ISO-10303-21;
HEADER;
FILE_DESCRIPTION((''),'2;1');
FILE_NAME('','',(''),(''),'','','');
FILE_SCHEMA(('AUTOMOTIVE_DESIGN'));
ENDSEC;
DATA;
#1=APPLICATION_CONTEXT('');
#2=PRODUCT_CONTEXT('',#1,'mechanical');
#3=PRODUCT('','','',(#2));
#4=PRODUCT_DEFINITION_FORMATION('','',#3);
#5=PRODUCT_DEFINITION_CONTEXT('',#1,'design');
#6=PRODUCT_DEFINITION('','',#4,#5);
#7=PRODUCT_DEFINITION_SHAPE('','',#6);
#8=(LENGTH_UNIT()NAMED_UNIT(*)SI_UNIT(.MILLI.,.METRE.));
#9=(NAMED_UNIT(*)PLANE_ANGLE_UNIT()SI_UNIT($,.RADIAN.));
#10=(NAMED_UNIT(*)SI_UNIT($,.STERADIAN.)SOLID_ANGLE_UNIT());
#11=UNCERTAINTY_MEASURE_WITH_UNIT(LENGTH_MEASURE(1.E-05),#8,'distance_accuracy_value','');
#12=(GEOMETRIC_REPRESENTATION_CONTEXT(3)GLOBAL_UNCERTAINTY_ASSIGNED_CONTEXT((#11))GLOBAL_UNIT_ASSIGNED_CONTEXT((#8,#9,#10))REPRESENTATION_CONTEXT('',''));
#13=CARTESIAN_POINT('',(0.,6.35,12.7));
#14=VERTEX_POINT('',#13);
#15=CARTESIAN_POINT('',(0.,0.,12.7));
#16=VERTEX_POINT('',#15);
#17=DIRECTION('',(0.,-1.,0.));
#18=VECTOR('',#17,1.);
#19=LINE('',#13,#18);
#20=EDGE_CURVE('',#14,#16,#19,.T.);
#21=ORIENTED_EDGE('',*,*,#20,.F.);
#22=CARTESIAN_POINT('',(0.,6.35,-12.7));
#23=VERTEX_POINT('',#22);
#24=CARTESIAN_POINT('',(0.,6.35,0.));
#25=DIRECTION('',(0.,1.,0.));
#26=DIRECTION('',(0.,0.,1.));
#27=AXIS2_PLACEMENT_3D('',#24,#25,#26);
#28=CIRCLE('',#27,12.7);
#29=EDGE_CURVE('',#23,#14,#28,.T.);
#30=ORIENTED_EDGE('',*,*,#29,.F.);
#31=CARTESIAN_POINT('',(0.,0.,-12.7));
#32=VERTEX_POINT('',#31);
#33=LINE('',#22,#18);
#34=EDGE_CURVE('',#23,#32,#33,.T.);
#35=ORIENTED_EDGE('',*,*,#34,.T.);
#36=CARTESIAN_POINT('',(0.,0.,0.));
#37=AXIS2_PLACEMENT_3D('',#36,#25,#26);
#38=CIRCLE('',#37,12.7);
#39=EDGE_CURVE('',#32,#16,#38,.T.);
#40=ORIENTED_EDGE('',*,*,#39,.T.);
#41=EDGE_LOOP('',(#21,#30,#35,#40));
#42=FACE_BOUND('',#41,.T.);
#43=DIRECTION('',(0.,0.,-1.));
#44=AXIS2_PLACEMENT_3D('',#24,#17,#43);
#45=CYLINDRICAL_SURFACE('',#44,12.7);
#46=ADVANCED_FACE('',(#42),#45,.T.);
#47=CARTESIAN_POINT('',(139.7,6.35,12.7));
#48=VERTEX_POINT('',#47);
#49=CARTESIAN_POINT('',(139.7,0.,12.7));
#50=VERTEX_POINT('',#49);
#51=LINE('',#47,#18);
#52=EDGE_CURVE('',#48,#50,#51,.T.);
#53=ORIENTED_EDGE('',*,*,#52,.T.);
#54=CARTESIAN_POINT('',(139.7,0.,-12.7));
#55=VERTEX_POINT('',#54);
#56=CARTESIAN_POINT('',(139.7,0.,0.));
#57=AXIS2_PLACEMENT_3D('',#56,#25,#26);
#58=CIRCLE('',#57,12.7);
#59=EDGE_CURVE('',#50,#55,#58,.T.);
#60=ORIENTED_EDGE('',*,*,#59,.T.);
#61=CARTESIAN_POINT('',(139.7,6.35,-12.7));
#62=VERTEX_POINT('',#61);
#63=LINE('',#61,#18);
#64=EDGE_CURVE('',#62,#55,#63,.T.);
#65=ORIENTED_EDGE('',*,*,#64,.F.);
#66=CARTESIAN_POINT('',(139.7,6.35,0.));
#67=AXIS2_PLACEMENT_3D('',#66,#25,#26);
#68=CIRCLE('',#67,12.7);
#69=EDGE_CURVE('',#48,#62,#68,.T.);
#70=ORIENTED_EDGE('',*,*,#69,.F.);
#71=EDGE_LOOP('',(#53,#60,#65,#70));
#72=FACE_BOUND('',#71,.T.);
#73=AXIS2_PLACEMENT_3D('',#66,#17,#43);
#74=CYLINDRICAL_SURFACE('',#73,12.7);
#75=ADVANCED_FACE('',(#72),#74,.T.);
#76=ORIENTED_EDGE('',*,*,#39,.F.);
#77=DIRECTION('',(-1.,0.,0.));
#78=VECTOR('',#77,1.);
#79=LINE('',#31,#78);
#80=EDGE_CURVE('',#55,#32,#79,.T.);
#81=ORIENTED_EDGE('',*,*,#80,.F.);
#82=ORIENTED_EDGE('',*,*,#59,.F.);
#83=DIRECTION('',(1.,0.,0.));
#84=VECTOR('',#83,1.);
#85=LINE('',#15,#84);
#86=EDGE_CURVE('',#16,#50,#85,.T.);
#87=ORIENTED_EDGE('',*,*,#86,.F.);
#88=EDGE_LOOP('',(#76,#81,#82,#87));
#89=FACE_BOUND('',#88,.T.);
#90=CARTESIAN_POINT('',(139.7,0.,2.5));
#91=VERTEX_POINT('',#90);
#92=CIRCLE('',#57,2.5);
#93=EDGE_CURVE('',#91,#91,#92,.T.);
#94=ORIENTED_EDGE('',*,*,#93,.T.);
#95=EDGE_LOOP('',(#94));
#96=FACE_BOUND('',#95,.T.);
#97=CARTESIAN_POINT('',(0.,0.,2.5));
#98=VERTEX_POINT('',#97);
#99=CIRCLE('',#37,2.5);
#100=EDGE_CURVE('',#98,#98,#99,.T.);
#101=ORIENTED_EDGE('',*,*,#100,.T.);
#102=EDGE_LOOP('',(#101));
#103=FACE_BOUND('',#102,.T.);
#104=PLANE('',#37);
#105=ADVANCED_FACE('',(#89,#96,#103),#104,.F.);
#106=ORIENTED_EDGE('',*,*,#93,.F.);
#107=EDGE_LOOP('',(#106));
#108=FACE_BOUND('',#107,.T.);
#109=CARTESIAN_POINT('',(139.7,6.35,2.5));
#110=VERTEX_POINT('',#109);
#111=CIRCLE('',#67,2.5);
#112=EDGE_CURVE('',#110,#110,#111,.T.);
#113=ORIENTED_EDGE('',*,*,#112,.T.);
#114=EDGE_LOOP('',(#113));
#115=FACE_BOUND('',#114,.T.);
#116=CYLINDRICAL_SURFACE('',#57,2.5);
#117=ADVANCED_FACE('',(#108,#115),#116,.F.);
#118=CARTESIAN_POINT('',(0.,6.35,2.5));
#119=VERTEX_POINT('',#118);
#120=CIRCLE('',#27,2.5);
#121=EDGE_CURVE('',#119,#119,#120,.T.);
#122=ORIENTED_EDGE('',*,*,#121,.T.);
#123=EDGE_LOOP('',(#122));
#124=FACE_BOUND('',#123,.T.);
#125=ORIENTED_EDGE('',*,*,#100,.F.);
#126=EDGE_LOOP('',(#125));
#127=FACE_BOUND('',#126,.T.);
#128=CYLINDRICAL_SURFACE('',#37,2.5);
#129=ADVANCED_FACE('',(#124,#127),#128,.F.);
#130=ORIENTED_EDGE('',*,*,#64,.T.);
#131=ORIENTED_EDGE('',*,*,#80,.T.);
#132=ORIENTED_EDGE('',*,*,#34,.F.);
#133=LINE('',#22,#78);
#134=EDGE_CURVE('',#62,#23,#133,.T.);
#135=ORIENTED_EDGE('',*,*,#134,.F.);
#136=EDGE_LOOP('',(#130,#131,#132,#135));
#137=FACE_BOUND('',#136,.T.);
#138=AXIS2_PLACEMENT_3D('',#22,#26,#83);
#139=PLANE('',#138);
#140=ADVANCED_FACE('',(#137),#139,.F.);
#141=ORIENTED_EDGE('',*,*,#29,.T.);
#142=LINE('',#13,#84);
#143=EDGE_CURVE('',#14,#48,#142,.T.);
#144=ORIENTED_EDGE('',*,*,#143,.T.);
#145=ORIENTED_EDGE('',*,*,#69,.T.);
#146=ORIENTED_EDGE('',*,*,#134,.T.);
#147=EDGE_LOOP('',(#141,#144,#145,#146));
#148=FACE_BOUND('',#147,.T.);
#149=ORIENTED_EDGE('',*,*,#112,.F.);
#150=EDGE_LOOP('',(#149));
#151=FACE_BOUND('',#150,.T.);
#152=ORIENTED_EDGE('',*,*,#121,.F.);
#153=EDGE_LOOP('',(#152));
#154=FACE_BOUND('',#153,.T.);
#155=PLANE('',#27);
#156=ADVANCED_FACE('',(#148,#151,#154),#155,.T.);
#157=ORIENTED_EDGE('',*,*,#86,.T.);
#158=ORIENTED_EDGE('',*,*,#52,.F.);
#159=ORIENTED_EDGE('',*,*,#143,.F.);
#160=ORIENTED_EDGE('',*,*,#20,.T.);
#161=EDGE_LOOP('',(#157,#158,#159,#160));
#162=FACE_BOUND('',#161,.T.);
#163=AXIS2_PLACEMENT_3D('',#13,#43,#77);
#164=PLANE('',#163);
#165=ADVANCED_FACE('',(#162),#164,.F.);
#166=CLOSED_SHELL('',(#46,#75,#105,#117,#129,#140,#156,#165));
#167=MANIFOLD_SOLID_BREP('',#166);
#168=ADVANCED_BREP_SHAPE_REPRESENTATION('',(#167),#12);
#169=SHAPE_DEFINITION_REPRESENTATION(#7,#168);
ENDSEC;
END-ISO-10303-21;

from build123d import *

# Parameters (mm, degrees)
BOSS_EXTRUDE1_DEPTH = 6.35
SKETCH3_R           = 2.499999953
CUT_EXTRUDE1_DEPTH  = 6.35
LPATTERN1_COUNT     = 2
LPATTERN1_PITCH     = 139.7


with BuildPart() as part:
    # Sketch1 → Boss-Extrude1 (new body)
    with BuildSketch(Plane(origin=(0, 0, 0), x_dir=(1, 0, 0), z_dir=(0, 1, 0))):
        with BuildLine():
            Line((0, 12.7), (139.7, 12.7))
            ThreePointArc((139.7, 12.7), (152.4, 0), (139.7, -12.7))
            Line((139.7, -12.7), (0, -12.7))
            ThreePointArc((0, -12.7), (-12.7, 0), (0, 12.7))
        make_face()
    extrude(amount=BOSS_EXTRUDE1_DEPTH)

    # Sketch3 → Cut-Extrude1 (cut)
    with BuildSketch(Plane(origin=(0, 6.35, 0), x_dir=(1, 0, 0), z_dir=(0, 1, 0))):
        with Locations(Location((0, 0, 0), (0, 0, 270))):
            Circle(SKETCH3_R)
    cut_extrude1 = extrude(amount=-CUT_EXTRUDE1_DEPTH, mode=Mode.SUBTRACT)

    # LPattern1: Cut-Extrude1 ×2
    with Locations(*[(i * LPATTERN1_PITCH, 0, 0) for i in range(1, LPATTERN1_COUNT)]):
        add(cut_extrude1, mode=Mode.SUBTRACT)


solid = part.part
